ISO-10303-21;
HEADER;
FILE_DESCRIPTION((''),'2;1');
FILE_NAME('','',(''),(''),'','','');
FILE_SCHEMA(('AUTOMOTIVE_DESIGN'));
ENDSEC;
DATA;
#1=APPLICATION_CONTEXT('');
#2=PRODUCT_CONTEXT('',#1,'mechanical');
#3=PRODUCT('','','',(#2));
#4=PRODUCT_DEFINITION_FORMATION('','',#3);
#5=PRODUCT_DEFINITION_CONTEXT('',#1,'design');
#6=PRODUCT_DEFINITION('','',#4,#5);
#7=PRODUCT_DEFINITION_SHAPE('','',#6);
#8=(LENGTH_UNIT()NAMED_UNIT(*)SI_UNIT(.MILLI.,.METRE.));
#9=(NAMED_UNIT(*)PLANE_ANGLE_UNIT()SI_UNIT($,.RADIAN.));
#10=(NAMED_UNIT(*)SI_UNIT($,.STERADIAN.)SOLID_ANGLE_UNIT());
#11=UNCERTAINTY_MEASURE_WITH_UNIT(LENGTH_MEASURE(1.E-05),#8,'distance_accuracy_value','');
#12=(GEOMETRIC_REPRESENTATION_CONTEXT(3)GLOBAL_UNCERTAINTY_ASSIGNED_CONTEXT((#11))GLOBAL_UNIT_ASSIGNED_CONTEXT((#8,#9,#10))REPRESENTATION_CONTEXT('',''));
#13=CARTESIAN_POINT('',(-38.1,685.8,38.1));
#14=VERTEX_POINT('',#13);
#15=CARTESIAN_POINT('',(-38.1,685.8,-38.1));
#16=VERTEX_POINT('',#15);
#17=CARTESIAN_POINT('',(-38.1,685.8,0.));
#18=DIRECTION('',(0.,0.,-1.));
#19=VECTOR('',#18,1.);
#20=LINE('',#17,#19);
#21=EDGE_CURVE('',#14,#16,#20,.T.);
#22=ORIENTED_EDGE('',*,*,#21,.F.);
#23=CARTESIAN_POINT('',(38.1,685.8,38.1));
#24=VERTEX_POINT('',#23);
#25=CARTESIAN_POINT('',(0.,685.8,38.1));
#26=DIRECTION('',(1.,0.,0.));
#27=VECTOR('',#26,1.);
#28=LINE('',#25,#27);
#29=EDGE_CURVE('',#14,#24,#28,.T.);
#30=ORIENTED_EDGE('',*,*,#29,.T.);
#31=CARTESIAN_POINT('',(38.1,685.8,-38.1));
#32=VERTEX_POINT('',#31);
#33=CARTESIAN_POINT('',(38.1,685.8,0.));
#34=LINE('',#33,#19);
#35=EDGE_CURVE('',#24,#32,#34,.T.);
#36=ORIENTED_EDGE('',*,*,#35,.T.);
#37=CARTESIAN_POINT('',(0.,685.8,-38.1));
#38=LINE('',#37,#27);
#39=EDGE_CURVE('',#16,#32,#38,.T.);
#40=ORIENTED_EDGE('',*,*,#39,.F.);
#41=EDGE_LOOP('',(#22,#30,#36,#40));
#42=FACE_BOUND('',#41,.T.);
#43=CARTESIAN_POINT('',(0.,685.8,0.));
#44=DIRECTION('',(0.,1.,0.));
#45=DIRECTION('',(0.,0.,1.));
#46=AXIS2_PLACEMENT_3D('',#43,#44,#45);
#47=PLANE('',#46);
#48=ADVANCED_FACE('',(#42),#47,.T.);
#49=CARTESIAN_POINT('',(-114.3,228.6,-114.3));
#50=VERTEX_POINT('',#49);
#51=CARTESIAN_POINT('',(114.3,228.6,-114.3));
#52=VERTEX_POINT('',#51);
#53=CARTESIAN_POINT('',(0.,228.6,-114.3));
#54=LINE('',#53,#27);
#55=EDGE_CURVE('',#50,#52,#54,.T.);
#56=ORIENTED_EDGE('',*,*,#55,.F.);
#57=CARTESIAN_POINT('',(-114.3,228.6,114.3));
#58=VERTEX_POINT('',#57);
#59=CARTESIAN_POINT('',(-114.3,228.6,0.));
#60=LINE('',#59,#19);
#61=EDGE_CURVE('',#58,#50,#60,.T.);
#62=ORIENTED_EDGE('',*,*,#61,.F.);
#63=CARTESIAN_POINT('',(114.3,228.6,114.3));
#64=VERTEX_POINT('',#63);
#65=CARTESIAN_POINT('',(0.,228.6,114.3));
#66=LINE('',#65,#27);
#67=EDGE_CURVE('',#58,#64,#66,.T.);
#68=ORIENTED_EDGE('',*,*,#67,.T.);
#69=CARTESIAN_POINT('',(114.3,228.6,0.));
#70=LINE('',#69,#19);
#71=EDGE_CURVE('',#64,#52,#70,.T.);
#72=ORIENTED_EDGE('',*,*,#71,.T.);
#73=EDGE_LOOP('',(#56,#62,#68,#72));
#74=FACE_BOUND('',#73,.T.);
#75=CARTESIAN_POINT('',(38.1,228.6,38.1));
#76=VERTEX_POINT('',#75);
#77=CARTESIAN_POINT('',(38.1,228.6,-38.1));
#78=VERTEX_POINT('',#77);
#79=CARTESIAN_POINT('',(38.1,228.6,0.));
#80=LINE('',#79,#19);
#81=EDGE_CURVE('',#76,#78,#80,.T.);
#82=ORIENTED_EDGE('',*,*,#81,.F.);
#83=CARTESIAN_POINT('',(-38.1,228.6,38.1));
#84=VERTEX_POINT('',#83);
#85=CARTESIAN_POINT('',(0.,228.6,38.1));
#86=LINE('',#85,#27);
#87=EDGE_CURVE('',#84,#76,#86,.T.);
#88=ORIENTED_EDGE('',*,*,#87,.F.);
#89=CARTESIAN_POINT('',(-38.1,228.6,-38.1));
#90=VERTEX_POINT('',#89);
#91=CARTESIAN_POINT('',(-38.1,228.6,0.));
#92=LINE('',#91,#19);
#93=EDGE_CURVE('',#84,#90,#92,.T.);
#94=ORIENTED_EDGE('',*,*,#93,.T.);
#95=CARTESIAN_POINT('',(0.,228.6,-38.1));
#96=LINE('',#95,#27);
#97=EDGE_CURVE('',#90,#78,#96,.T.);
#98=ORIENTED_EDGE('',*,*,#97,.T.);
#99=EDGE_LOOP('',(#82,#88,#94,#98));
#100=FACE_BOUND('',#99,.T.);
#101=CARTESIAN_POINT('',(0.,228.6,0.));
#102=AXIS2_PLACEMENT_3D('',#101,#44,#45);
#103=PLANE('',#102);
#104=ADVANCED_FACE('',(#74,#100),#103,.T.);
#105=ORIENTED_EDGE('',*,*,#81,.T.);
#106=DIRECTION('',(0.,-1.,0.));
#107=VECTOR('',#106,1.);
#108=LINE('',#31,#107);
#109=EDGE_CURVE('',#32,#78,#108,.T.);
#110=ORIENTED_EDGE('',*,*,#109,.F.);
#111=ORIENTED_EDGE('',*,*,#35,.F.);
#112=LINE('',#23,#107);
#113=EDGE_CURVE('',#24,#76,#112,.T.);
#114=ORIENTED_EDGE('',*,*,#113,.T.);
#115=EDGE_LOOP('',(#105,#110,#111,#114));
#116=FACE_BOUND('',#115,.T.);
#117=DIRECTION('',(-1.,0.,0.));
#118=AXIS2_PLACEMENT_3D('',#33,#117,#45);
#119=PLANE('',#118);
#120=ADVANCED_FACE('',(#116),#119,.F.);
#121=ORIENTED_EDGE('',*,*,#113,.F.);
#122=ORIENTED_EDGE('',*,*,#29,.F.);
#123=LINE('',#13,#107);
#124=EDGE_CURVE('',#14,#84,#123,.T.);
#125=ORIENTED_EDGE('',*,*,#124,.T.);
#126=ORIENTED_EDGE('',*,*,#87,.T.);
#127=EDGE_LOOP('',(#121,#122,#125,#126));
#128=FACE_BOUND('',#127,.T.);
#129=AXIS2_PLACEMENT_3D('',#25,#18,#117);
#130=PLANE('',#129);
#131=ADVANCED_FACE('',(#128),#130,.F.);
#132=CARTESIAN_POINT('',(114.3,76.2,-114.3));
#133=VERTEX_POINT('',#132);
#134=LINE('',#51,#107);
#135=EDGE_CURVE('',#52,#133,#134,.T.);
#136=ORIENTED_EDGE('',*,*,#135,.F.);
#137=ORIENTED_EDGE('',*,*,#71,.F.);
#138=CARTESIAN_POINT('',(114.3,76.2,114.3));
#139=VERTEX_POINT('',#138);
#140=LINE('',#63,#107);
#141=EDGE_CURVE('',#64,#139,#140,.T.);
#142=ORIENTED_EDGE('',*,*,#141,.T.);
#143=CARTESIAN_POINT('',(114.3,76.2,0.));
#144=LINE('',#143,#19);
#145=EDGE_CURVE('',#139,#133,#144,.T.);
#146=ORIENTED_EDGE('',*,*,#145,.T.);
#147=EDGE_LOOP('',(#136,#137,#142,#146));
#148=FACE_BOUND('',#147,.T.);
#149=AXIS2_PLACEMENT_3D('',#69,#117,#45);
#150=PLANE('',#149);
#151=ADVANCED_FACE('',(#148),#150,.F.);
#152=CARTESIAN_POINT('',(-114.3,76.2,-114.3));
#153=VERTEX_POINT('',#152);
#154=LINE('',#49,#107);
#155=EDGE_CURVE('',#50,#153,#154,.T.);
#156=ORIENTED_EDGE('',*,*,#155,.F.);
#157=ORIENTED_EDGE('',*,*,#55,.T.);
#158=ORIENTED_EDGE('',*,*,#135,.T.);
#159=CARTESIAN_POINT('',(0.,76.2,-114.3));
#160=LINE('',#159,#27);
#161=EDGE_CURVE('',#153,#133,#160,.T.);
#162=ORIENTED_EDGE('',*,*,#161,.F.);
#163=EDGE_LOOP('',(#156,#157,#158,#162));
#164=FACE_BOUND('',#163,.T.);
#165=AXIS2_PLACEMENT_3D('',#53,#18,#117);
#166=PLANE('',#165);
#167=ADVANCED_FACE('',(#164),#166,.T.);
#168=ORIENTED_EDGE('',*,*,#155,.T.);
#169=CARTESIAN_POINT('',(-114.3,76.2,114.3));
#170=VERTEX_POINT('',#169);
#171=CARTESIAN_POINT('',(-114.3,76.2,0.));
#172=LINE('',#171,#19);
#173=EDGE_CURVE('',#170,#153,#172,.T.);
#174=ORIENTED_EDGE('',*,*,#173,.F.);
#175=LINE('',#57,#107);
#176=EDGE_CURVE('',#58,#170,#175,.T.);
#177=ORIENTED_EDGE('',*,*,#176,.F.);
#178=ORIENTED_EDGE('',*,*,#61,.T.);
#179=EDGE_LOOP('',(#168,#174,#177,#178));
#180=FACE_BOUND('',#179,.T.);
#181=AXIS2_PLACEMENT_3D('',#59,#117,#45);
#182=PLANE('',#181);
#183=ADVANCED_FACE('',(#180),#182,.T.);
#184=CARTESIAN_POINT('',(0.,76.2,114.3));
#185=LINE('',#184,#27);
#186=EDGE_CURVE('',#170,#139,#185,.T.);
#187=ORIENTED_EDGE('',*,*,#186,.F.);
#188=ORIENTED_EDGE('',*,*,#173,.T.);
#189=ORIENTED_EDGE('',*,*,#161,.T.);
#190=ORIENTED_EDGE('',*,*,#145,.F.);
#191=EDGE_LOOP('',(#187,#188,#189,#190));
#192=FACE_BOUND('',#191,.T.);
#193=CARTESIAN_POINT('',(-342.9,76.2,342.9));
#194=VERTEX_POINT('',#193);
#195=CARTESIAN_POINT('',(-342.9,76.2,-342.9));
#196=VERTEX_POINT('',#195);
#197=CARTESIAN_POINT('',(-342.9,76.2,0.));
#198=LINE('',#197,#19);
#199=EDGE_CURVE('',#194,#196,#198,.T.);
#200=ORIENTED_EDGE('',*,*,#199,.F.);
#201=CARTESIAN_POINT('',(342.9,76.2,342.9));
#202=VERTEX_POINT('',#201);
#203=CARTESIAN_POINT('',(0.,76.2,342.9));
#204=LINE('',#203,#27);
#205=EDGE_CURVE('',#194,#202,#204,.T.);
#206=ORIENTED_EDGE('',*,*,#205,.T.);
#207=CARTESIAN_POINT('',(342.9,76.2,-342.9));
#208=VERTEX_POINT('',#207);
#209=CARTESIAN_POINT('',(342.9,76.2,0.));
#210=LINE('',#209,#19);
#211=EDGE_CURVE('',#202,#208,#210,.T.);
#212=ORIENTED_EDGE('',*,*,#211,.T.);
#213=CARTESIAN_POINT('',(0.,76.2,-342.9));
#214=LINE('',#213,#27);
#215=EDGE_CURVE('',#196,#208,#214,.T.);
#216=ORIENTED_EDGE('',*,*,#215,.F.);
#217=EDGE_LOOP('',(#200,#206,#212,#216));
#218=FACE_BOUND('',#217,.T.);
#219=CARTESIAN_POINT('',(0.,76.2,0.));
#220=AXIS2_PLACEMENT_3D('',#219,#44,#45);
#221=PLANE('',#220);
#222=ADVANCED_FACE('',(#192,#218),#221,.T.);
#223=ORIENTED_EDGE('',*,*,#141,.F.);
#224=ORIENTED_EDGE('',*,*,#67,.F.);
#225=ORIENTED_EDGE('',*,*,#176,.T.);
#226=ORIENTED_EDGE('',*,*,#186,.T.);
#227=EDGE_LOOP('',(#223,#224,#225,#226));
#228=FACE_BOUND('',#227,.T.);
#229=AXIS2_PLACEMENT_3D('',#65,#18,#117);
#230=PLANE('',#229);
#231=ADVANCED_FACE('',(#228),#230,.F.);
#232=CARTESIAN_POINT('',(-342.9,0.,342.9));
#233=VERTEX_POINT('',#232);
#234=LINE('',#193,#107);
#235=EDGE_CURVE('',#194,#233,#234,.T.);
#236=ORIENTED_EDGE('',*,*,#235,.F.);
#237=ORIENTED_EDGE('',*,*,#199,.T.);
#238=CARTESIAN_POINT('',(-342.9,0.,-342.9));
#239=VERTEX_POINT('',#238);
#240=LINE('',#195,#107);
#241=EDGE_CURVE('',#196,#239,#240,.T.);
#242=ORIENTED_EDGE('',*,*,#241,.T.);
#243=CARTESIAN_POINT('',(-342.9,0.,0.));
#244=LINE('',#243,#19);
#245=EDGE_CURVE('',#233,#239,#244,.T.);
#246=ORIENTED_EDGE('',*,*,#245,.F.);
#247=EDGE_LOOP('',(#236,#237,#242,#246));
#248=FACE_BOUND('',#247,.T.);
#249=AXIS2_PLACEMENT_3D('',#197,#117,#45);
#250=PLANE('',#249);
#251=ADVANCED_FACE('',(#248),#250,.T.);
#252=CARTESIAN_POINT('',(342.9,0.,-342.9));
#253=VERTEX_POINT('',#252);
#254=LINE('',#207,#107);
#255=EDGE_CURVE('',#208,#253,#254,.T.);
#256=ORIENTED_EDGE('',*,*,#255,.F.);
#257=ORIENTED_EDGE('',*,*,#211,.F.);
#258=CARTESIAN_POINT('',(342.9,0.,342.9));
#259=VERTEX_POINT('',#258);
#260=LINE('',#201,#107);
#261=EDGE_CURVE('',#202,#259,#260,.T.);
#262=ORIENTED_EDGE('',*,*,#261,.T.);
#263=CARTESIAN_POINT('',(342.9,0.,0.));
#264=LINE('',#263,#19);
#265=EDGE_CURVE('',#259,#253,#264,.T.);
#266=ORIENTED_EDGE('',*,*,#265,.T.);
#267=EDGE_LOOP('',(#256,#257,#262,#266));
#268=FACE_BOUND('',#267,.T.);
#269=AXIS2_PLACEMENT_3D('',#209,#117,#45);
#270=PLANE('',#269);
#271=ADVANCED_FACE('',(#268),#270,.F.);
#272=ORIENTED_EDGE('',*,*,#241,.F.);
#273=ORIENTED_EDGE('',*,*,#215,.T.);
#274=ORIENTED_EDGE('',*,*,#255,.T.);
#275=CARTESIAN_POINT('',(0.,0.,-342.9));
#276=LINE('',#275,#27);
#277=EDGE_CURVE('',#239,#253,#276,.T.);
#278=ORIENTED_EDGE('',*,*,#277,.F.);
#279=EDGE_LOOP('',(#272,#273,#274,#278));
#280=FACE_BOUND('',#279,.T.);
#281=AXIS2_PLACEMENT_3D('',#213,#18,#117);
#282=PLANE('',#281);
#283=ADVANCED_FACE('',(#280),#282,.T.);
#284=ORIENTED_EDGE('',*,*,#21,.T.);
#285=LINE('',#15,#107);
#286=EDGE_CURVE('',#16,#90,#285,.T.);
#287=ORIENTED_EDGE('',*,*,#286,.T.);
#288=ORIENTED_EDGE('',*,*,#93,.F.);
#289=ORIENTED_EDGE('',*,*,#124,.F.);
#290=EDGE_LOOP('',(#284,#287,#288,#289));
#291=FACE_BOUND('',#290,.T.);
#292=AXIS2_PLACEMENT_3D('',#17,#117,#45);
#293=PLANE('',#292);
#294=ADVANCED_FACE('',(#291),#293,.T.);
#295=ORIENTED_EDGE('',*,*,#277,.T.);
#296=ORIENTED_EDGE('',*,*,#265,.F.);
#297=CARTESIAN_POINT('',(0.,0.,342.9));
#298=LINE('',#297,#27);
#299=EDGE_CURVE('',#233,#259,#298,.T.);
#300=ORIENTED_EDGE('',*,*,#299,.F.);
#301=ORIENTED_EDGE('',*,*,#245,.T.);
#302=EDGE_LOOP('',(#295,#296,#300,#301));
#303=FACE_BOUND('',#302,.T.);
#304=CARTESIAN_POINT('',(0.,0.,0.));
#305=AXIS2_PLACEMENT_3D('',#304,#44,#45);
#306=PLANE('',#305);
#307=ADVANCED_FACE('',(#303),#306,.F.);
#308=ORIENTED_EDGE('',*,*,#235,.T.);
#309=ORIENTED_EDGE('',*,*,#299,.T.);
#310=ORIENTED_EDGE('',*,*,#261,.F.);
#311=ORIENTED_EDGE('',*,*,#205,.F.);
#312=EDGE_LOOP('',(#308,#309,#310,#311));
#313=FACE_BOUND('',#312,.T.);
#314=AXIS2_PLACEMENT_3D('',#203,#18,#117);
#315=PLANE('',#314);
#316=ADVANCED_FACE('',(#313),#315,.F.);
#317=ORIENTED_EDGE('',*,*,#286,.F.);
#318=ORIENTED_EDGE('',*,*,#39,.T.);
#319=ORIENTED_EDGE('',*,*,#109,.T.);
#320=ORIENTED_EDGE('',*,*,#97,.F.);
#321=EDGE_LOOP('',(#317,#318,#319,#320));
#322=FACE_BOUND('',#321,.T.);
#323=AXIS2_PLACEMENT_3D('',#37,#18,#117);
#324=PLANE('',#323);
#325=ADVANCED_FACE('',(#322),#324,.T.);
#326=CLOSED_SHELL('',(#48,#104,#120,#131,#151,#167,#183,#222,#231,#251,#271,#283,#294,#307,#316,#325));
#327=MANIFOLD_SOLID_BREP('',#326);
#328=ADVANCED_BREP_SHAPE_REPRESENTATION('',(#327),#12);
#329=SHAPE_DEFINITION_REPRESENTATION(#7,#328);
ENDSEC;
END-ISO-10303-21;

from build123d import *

# Parameters (mm, degrees)
SKETCH1_W           = 76.2
SKETCH1_H           = 76.2
BOSS_EXTRUDE1_DEPTH = 685.8
SKETCH1_3_W         = 228.6
SKETCH1_3_H         = 228.6
SKETCH1_3_W_2       = 76.2
SKETCH1_3_H_2       = 76.2
BOSS_EXTRUDE2_DEPTH = 228.6
SKETCH1_4_W         = 685.8
SKETCH1_4_H         = 685.8
SKETCH1_4_W_2       = 228.6
SKETCH1_4_H_2       = 228.6
BOSS_EXTRUDE3_DEPTH = 76.2


with BuildPart() as part:
    # Sketch1 → Boss-Extrude1 (new body)
    with BuildSketch(Plane(origin=(0, 0, 0), x_dir=(1, 0, 0), z_dir=(0, 1, 0))):
        Rectangle(SKETCH1_W, SKETCH1_H)
    extrude(amount=BOSS_EXTRUDE1_DEPTH)

    # Sketch1<3> → Boss-Extrude2 (add)
    with BuildSketch(Plane(origin=(0, 0, 0), x_dir=(1, 0, 0), z_dir=(0, 1, 0))):
        Rectangle(SKETCH1_3_W, SKETCH1_3_H)
        Rectangle(SKETCH1_3_W_2, SKETCH1_3_H_2, mode=Mode.SUBTRACT)
    extrude(amount=BOSS_EXTRUDE2_DEPTH)

    # Sketch1<4> → Boss-Extrude3 (add)
    with BuildSketch(Plane(origin=(0, 0, 0), x_dir=(1, 0, 0), z_dir=(0, 1, 0))):
        Rectangle(SKETCH1_4_W, SKETCH1_4_H)
        Rectangle(SKETCH1_4_W_2, SKETCH1_4_H_2, mode=Mode.SUBTRACT)
    extrude(amount=BOSS_EXTRUDE3_DEPTH)


solid = part.part
